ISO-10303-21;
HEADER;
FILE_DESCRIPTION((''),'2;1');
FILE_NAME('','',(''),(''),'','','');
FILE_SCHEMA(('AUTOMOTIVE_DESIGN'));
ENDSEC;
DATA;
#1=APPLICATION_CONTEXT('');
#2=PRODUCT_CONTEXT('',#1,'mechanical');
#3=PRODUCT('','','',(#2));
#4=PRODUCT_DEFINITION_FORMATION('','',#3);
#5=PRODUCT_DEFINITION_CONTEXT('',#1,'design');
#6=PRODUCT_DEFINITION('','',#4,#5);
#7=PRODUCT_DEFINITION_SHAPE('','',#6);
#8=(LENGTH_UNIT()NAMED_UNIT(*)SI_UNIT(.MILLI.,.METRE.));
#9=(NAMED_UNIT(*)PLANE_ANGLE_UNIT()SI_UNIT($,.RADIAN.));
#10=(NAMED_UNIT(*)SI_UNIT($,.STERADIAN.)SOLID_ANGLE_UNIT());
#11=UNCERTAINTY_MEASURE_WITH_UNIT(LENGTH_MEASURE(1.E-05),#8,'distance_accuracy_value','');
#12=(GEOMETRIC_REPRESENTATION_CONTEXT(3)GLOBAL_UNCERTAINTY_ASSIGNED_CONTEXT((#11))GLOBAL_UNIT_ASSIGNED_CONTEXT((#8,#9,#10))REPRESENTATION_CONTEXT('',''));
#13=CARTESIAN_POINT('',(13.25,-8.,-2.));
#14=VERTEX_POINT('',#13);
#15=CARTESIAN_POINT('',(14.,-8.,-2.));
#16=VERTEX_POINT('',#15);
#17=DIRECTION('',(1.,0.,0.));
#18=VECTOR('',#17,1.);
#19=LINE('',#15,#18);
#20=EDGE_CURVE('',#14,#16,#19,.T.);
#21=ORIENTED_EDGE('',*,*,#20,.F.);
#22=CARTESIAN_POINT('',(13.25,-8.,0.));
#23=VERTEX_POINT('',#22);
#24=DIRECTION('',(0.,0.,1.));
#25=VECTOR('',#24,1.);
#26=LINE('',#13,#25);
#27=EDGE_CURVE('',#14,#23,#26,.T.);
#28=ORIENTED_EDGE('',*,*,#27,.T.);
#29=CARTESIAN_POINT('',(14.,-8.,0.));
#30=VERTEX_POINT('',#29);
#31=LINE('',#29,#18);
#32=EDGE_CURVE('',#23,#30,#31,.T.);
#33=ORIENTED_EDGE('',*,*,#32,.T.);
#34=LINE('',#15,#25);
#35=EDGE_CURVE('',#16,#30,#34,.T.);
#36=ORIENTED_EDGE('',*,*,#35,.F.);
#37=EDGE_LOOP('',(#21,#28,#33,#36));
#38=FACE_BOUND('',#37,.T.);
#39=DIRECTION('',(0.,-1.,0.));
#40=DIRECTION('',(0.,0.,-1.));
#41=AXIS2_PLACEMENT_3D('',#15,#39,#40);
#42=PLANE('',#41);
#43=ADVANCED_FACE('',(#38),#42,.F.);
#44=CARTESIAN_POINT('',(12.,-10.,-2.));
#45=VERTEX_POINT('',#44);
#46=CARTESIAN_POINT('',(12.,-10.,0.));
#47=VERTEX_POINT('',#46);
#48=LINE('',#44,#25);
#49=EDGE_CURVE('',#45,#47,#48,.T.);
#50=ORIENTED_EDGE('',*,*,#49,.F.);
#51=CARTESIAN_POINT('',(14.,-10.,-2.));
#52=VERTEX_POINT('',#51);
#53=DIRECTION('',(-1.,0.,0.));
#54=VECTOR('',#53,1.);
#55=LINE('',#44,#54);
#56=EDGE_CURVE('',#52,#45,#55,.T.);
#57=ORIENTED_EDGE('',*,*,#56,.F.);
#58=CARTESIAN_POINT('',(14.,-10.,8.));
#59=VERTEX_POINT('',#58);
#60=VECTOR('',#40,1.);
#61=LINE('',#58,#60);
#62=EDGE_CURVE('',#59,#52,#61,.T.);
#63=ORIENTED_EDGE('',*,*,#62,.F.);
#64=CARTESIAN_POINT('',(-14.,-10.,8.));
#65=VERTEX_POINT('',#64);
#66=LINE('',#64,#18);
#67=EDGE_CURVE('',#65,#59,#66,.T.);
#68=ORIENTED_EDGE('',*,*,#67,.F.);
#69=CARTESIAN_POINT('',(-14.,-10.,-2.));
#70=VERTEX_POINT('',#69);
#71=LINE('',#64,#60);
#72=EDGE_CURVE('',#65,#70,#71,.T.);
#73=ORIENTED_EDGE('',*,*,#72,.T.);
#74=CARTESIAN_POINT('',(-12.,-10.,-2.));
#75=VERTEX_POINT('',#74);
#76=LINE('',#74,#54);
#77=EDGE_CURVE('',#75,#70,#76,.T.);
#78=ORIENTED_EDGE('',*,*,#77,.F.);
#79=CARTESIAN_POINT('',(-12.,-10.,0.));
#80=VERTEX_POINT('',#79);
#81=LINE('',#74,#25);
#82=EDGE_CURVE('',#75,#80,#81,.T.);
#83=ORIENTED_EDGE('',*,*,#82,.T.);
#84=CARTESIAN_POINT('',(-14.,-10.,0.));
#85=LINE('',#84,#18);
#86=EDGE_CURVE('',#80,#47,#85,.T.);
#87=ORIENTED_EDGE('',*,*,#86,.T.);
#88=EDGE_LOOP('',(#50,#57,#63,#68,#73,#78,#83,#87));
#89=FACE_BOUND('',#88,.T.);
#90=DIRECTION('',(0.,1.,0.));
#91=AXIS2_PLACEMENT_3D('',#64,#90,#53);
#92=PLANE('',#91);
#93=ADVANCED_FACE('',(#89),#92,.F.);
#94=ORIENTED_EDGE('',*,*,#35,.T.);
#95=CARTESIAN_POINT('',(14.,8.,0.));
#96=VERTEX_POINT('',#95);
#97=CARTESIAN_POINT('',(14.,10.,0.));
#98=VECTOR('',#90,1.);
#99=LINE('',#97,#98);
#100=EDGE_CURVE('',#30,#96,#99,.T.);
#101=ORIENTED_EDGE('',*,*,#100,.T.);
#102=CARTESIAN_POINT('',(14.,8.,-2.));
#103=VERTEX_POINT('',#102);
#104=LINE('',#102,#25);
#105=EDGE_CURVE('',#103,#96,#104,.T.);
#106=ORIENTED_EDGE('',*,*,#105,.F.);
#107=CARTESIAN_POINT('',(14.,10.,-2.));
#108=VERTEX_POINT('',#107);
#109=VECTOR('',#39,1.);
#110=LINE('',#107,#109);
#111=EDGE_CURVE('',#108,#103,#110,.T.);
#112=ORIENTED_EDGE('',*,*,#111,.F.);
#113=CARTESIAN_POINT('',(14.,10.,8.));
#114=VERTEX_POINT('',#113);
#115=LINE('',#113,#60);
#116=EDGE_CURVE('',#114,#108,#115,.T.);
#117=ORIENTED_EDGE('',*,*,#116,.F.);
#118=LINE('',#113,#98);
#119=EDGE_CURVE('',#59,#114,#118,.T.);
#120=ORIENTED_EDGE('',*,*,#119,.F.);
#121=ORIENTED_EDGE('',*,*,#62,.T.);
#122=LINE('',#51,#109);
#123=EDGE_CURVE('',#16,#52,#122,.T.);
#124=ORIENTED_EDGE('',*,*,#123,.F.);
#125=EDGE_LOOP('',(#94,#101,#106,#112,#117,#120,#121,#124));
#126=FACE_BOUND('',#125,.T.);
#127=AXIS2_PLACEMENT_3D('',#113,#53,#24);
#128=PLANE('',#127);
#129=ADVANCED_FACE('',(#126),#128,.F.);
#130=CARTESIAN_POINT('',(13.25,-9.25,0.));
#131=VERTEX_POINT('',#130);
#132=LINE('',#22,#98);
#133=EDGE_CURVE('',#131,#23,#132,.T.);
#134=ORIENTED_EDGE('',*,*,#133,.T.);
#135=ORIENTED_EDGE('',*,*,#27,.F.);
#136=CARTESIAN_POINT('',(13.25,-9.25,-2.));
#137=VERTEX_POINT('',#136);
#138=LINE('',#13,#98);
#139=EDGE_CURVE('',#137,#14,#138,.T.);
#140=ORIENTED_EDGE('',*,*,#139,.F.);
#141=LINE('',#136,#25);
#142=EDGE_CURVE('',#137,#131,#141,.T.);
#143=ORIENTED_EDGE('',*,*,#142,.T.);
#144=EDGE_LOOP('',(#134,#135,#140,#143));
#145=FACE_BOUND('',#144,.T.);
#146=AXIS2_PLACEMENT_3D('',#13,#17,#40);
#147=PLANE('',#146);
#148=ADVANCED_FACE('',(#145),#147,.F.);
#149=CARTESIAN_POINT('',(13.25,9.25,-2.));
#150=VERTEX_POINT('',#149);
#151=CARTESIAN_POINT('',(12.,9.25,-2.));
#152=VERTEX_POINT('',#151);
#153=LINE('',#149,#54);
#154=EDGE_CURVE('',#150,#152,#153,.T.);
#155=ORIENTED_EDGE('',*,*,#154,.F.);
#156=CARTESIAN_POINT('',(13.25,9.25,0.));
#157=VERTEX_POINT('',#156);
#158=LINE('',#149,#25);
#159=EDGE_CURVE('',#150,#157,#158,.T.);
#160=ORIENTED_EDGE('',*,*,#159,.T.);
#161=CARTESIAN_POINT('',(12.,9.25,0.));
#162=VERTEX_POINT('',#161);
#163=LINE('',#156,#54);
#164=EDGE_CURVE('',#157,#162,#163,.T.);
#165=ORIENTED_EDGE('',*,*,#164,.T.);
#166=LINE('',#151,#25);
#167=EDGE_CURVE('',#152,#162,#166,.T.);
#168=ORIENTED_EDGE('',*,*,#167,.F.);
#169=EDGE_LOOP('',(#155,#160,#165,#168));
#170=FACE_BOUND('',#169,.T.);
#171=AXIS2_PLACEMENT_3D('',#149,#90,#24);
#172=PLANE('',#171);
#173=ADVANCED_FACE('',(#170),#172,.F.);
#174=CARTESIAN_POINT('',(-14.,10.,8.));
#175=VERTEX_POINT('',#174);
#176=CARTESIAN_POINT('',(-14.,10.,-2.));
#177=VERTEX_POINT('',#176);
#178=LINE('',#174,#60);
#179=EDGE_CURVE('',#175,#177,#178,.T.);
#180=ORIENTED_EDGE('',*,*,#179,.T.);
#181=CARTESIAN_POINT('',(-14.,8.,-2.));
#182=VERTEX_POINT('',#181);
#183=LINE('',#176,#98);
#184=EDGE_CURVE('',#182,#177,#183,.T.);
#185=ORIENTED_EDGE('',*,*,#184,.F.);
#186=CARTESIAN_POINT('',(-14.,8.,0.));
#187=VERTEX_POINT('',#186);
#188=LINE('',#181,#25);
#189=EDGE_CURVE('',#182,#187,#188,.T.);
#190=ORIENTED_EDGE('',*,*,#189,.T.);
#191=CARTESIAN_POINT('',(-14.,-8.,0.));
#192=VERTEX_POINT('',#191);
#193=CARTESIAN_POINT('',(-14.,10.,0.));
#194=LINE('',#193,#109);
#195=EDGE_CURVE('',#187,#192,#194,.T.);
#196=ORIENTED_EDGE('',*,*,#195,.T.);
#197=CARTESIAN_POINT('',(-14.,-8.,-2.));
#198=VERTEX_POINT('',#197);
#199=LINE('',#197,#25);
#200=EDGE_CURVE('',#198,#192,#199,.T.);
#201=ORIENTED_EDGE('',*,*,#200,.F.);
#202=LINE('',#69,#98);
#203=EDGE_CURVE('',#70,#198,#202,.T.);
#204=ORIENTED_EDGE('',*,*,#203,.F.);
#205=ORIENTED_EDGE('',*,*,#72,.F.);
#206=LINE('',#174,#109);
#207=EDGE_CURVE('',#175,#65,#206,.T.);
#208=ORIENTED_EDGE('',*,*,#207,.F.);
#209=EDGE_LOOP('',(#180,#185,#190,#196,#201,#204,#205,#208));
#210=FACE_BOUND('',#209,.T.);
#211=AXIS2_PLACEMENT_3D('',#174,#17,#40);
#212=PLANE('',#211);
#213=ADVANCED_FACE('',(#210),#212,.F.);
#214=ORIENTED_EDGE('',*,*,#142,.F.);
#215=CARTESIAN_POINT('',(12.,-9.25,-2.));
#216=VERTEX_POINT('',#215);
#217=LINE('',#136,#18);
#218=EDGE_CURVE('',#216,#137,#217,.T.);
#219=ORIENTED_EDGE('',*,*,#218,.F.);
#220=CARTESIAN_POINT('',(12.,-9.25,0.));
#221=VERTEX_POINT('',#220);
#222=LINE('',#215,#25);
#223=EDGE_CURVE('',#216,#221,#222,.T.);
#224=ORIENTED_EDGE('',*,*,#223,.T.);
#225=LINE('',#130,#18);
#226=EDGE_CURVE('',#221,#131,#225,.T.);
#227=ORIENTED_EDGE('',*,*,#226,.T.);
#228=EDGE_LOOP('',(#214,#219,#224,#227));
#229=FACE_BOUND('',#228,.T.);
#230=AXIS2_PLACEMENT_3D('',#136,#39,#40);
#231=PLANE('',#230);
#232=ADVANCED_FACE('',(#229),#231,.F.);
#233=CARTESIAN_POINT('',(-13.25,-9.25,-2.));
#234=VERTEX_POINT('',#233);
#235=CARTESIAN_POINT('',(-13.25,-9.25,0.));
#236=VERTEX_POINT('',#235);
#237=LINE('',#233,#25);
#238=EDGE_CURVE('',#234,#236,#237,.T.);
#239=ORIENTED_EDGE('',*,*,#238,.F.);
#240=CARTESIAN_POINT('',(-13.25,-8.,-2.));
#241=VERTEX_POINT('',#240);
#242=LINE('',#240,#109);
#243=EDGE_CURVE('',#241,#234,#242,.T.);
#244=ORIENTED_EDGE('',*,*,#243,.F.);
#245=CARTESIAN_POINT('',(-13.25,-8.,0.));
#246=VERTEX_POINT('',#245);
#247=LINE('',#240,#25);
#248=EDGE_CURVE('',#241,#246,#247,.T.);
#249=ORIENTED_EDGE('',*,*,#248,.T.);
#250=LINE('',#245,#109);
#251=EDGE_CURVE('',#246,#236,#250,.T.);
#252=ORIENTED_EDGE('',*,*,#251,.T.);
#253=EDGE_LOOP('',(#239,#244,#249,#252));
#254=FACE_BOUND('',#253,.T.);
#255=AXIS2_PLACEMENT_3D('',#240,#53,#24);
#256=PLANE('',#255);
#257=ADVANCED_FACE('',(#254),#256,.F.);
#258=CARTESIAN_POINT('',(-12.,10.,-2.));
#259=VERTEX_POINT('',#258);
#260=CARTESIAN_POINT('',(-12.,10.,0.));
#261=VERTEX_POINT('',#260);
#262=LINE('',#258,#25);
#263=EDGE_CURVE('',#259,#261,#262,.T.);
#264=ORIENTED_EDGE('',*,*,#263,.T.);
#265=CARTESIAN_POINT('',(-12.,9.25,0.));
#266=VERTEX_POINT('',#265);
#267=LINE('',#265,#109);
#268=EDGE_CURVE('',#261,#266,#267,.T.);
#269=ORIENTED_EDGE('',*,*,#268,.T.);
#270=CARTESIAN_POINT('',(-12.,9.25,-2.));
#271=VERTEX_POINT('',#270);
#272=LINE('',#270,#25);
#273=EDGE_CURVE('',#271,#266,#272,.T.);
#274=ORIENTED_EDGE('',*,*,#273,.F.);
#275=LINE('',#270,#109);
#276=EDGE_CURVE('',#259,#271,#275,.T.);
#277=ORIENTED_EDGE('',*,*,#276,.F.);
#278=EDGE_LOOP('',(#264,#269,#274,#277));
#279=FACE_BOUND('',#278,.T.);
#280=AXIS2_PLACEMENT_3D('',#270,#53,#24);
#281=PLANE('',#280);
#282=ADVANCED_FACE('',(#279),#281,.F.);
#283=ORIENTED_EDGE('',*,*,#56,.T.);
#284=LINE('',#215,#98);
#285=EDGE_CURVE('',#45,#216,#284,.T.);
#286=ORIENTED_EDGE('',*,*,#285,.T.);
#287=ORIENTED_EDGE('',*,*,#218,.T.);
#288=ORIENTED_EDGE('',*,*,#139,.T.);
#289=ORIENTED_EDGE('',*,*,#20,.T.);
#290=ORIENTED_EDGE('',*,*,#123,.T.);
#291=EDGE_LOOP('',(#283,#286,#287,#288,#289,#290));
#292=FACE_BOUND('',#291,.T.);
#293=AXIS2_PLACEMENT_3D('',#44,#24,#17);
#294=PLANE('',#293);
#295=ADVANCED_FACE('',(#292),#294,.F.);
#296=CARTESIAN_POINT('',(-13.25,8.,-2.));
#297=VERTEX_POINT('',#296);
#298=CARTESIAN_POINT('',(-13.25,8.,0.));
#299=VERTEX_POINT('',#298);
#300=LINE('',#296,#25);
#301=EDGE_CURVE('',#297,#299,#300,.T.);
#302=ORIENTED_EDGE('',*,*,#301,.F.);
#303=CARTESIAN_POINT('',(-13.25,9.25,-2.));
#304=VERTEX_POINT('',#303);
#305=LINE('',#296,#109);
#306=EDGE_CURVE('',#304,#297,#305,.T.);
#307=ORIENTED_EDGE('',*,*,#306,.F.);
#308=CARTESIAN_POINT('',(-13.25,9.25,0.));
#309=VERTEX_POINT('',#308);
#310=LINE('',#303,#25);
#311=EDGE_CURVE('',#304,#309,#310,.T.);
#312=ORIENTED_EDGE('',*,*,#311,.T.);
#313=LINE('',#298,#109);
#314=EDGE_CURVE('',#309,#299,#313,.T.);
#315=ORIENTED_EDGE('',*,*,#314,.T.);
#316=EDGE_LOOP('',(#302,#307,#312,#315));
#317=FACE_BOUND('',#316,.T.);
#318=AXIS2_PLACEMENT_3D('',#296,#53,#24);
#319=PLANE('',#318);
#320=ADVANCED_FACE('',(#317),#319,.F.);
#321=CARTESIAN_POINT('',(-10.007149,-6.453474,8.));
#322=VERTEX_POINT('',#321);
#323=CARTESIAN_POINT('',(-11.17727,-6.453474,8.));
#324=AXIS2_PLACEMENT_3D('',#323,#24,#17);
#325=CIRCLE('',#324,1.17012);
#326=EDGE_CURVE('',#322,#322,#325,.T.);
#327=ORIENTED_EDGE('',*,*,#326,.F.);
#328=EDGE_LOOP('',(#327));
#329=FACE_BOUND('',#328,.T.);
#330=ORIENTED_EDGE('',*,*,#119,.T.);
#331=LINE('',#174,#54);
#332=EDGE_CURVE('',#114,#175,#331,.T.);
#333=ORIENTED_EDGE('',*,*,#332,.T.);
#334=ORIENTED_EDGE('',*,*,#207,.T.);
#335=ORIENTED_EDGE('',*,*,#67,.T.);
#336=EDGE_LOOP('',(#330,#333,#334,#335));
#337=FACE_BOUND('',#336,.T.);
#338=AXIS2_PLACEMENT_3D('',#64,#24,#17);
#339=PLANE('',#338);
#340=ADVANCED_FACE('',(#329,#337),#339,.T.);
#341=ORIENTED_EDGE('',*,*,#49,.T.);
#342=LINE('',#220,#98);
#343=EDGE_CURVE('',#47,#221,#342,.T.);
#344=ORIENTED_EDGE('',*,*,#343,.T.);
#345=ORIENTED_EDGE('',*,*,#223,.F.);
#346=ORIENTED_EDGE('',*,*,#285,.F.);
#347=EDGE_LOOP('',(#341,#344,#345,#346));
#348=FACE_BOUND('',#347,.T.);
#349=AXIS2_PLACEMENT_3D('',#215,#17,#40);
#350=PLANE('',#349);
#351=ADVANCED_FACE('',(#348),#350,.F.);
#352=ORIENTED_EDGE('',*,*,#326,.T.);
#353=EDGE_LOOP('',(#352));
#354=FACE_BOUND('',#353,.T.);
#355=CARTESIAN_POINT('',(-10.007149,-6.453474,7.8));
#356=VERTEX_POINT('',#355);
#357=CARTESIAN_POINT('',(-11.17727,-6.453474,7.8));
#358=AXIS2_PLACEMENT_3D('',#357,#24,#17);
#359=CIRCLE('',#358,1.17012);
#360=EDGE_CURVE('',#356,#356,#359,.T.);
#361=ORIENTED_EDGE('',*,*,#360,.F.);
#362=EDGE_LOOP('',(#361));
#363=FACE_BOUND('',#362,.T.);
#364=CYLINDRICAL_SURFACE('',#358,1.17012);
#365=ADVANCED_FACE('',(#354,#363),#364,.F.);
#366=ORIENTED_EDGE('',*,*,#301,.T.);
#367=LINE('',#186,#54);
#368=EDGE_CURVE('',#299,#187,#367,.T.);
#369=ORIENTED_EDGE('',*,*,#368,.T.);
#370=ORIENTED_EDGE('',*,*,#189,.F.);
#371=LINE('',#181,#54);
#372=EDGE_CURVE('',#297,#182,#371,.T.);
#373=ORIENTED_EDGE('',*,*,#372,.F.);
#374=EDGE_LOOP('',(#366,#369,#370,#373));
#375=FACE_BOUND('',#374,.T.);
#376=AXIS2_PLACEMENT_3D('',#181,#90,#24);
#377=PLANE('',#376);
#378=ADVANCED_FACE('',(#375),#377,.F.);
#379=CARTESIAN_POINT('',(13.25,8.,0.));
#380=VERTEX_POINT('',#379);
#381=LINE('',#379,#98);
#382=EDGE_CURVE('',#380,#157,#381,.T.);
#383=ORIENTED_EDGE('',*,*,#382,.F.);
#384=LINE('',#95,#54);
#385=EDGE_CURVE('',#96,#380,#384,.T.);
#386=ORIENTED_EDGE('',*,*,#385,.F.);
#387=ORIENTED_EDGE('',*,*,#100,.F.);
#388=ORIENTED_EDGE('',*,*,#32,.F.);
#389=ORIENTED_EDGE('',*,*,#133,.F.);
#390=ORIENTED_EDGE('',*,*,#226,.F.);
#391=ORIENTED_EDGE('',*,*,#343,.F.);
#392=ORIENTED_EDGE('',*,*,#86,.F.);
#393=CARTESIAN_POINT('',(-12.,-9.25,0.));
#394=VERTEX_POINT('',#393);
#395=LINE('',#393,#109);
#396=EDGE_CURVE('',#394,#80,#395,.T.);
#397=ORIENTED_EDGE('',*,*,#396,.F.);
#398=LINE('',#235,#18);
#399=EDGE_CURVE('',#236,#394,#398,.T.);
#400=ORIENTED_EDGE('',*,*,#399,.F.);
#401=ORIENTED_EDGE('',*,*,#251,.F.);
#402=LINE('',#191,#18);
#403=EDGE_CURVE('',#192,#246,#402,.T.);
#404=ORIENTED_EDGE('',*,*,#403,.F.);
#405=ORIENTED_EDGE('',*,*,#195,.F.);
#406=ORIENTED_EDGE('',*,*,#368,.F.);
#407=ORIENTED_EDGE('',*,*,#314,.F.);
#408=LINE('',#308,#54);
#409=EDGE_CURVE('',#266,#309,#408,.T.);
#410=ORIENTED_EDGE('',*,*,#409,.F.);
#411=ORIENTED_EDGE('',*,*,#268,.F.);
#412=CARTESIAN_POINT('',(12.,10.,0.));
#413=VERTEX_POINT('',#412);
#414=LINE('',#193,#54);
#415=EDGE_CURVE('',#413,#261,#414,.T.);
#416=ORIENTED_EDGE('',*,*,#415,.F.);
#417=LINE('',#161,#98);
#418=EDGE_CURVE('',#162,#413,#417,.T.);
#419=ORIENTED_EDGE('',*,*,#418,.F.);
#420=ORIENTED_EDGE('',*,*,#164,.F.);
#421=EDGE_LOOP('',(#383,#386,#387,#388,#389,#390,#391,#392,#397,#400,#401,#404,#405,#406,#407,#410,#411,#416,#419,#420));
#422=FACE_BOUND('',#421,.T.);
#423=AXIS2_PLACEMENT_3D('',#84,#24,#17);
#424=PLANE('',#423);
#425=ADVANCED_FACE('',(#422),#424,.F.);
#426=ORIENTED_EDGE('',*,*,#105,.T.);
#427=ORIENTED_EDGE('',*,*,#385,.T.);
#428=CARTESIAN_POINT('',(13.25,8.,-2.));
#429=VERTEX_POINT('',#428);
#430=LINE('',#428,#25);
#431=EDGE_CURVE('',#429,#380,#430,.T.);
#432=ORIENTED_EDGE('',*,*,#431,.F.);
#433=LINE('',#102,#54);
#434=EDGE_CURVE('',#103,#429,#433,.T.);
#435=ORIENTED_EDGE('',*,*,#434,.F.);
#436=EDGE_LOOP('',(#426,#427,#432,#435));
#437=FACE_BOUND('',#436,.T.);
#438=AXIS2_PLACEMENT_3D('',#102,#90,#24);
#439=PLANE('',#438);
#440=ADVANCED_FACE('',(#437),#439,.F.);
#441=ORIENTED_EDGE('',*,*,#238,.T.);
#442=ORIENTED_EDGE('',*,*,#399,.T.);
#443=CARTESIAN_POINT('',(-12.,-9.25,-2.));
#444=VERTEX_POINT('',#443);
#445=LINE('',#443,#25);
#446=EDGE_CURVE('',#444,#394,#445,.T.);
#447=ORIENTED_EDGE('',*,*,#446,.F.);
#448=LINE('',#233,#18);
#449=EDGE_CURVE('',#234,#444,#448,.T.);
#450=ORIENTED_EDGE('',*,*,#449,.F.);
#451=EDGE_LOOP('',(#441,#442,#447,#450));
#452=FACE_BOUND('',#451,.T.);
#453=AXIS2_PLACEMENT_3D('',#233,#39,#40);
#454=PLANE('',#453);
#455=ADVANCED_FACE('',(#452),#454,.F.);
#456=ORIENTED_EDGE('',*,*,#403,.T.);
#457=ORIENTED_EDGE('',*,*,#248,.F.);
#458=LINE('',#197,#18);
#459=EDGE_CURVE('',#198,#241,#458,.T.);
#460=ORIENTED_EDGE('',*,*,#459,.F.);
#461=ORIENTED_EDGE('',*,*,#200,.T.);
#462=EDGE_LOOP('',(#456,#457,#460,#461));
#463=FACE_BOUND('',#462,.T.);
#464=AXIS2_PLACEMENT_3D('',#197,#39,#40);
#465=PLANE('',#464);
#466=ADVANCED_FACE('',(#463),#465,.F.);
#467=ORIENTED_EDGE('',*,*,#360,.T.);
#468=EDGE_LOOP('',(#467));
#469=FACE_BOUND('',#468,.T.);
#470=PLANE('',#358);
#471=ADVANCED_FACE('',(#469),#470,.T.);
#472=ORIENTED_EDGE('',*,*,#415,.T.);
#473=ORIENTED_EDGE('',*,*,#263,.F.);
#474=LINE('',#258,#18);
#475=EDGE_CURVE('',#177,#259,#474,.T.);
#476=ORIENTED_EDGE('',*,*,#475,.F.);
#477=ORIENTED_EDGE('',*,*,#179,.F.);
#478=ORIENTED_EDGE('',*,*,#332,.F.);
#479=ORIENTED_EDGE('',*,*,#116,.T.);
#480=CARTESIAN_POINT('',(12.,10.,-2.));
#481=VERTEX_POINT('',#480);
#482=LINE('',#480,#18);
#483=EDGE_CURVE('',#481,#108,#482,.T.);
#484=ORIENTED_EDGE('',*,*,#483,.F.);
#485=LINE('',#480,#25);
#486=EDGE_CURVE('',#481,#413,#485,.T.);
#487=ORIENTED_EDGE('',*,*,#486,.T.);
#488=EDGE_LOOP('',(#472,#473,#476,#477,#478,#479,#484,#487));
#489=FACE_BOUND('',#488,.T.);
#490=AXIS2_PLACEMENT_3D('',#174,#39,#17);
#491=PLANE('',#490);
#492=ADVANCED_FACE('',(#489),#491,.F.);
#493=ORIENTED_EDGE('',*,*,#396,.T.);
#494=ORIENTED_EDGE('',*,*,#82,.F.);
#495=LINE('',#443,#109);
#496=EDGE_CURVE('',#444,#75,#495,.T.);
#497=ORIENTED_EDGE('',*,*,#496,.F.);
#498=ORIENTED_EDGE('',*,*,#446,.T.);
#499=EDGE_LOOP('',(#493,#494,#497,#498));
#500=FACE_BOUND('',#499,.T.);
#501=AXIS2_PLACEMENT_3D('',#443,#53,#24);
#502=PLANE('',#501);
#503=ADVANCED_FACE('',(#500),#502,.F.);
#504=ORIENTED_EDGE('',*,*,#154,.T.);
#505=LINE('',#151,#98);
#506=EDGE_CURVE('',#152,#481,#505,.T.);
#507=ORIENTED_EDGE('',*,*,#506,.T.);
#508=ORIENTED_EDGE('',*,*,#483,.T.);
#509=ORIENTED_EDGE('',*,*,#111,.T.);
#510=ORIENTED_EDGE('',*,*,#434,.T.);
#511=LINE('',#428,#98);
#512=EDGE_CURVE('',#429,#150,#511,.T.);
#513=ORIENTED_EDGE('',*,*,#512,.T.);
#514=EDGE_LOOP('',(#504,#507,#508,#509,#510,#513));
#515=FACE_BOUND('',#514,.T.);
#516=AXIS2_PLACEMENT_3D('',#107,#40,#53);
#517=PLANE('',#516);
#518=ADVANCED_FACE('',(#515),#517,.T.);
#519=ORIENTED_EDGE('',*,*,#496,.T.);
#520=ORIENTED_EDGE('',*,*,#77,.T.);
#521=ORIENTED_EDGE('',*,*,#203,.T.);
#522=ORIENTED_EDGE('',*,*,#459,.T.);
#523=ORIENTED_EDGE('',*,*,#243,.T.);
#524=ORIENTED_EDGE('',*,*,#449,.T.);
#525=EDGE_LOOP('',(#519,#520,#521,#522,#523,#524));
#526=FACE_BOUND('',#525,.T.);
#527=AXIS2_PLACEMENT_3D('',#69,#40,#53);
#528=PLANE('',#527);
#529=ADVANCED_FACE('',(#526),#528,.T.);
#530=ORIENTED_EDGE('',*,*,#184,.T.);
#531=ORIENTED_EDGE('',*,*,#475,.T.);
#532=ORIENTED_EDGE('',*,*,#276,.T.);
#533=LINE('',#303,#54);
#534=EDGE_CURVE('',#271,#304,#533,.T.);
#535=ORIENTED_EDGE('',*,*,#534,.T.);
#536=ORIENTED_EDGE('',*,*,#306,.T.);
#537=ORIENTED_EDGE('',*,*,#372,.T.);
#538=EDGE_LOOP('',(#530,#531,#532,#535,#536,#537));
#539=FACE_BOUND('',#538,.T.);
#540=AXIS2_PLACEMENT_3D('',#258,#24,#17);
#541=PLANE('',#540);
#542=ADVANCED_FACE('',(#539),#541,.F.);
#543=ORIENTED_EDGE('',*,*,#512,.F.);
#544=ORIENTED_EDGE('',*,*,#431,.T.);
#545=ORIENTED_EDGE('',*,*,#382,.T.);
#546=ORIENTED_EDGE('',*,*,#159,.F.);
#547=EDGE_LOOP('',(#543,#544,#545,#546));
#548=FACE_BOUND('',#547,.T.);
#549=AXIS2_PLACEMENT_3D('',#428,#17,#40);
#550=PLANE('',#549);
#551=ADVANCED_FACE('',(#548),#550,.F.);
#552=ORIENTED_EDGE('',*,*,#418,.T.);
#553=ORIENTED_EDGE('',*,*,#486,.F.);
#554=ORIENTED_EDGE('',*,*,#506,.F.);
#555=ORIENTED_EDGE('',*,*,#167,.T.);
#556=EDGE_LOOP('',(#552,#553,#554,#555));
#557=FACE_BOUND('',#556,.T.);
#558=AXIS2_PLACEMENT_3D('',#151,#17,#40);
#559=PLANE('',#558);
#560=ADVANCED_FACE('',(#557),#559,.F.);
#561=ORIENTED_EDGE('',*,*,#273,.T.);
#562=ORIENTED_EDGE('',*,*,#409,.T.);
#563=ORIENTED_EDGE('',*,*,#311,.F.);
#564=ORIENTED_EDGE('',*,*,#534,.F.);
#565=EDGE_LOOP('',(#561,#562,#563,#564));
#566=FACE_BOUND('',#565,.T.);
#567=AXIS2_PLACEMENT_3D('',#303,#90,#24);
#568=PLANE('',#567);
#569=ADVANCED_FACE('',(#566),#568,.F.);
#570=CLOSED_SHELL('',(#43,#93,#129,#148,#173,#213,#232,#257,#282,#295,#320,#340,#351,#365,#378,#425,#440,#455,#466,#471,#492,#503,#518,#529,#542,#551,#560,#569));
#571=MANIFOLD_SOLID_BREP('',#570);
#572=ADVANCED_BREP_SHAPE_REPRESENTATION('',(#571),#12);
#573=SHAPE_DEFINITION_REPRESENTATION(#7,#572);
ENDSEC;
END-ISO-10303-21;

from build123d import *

# Parameters (mm, degrees)
SKETCH_1_W          = 28
SKETCH_1_H          = 20
EXTRUDE_1_DEPTH     = 8
EXTRUDE_2_DEPTH     = 2
SKETCH_3_R          = 1.170120389
CUT_EXTRUDE_1_DEPTH = 0.2


with BuildPart() as part:
    # 草图1 → 拉伸1 (new body)
    with BuildSketch(Plane.XY):
        Rectangle(SKETCH_1_W, SKETCH_1_H)
    extrude(amount=EXTRUDE_1_DEPTH)

    # 草图2 → 拉伸2 (add)
    with BuildSketch(Plane(origin=(0, 0, 0), x_dir=(-1, 0, 0), z_dir=(0, 0, -1))):
        Polygon((-14, 10), (-14, 8), (-13.25, 8), (-13.25, 9.25), (-12, 9.25), (-12, 10), align=None)
        Polygon((12, 10), (14, 10), (14, 8), (13.25, 8), (13.25, 9.25), (12, 9.25), align=None)
        Polygon((-12, -10), (-14, -10), (-14, -8), (-13.25, -8), (-13.25, -9.25), (-12, -9.25), align=None)
        Polygon((14, -10), (14, -8), (13.25, -8), (13.25, -9.25), (12, -9.25), (12, -10), align=None)
    extrude(amount=EXTRUDE_2_DEPTH)

    # 草图3 → 切除-拉伸1 (cut)
    with BuildSketch(Plane.XY.offset(8)):
        with Locations((-11.177269576, -6.453473504)):
            Circle(SKETCH_3_R)
    extrude(amount=-CUT_EXTRUDE_1_DEPTH, mode=Mode.SUBTRACT)


solid = part.part
